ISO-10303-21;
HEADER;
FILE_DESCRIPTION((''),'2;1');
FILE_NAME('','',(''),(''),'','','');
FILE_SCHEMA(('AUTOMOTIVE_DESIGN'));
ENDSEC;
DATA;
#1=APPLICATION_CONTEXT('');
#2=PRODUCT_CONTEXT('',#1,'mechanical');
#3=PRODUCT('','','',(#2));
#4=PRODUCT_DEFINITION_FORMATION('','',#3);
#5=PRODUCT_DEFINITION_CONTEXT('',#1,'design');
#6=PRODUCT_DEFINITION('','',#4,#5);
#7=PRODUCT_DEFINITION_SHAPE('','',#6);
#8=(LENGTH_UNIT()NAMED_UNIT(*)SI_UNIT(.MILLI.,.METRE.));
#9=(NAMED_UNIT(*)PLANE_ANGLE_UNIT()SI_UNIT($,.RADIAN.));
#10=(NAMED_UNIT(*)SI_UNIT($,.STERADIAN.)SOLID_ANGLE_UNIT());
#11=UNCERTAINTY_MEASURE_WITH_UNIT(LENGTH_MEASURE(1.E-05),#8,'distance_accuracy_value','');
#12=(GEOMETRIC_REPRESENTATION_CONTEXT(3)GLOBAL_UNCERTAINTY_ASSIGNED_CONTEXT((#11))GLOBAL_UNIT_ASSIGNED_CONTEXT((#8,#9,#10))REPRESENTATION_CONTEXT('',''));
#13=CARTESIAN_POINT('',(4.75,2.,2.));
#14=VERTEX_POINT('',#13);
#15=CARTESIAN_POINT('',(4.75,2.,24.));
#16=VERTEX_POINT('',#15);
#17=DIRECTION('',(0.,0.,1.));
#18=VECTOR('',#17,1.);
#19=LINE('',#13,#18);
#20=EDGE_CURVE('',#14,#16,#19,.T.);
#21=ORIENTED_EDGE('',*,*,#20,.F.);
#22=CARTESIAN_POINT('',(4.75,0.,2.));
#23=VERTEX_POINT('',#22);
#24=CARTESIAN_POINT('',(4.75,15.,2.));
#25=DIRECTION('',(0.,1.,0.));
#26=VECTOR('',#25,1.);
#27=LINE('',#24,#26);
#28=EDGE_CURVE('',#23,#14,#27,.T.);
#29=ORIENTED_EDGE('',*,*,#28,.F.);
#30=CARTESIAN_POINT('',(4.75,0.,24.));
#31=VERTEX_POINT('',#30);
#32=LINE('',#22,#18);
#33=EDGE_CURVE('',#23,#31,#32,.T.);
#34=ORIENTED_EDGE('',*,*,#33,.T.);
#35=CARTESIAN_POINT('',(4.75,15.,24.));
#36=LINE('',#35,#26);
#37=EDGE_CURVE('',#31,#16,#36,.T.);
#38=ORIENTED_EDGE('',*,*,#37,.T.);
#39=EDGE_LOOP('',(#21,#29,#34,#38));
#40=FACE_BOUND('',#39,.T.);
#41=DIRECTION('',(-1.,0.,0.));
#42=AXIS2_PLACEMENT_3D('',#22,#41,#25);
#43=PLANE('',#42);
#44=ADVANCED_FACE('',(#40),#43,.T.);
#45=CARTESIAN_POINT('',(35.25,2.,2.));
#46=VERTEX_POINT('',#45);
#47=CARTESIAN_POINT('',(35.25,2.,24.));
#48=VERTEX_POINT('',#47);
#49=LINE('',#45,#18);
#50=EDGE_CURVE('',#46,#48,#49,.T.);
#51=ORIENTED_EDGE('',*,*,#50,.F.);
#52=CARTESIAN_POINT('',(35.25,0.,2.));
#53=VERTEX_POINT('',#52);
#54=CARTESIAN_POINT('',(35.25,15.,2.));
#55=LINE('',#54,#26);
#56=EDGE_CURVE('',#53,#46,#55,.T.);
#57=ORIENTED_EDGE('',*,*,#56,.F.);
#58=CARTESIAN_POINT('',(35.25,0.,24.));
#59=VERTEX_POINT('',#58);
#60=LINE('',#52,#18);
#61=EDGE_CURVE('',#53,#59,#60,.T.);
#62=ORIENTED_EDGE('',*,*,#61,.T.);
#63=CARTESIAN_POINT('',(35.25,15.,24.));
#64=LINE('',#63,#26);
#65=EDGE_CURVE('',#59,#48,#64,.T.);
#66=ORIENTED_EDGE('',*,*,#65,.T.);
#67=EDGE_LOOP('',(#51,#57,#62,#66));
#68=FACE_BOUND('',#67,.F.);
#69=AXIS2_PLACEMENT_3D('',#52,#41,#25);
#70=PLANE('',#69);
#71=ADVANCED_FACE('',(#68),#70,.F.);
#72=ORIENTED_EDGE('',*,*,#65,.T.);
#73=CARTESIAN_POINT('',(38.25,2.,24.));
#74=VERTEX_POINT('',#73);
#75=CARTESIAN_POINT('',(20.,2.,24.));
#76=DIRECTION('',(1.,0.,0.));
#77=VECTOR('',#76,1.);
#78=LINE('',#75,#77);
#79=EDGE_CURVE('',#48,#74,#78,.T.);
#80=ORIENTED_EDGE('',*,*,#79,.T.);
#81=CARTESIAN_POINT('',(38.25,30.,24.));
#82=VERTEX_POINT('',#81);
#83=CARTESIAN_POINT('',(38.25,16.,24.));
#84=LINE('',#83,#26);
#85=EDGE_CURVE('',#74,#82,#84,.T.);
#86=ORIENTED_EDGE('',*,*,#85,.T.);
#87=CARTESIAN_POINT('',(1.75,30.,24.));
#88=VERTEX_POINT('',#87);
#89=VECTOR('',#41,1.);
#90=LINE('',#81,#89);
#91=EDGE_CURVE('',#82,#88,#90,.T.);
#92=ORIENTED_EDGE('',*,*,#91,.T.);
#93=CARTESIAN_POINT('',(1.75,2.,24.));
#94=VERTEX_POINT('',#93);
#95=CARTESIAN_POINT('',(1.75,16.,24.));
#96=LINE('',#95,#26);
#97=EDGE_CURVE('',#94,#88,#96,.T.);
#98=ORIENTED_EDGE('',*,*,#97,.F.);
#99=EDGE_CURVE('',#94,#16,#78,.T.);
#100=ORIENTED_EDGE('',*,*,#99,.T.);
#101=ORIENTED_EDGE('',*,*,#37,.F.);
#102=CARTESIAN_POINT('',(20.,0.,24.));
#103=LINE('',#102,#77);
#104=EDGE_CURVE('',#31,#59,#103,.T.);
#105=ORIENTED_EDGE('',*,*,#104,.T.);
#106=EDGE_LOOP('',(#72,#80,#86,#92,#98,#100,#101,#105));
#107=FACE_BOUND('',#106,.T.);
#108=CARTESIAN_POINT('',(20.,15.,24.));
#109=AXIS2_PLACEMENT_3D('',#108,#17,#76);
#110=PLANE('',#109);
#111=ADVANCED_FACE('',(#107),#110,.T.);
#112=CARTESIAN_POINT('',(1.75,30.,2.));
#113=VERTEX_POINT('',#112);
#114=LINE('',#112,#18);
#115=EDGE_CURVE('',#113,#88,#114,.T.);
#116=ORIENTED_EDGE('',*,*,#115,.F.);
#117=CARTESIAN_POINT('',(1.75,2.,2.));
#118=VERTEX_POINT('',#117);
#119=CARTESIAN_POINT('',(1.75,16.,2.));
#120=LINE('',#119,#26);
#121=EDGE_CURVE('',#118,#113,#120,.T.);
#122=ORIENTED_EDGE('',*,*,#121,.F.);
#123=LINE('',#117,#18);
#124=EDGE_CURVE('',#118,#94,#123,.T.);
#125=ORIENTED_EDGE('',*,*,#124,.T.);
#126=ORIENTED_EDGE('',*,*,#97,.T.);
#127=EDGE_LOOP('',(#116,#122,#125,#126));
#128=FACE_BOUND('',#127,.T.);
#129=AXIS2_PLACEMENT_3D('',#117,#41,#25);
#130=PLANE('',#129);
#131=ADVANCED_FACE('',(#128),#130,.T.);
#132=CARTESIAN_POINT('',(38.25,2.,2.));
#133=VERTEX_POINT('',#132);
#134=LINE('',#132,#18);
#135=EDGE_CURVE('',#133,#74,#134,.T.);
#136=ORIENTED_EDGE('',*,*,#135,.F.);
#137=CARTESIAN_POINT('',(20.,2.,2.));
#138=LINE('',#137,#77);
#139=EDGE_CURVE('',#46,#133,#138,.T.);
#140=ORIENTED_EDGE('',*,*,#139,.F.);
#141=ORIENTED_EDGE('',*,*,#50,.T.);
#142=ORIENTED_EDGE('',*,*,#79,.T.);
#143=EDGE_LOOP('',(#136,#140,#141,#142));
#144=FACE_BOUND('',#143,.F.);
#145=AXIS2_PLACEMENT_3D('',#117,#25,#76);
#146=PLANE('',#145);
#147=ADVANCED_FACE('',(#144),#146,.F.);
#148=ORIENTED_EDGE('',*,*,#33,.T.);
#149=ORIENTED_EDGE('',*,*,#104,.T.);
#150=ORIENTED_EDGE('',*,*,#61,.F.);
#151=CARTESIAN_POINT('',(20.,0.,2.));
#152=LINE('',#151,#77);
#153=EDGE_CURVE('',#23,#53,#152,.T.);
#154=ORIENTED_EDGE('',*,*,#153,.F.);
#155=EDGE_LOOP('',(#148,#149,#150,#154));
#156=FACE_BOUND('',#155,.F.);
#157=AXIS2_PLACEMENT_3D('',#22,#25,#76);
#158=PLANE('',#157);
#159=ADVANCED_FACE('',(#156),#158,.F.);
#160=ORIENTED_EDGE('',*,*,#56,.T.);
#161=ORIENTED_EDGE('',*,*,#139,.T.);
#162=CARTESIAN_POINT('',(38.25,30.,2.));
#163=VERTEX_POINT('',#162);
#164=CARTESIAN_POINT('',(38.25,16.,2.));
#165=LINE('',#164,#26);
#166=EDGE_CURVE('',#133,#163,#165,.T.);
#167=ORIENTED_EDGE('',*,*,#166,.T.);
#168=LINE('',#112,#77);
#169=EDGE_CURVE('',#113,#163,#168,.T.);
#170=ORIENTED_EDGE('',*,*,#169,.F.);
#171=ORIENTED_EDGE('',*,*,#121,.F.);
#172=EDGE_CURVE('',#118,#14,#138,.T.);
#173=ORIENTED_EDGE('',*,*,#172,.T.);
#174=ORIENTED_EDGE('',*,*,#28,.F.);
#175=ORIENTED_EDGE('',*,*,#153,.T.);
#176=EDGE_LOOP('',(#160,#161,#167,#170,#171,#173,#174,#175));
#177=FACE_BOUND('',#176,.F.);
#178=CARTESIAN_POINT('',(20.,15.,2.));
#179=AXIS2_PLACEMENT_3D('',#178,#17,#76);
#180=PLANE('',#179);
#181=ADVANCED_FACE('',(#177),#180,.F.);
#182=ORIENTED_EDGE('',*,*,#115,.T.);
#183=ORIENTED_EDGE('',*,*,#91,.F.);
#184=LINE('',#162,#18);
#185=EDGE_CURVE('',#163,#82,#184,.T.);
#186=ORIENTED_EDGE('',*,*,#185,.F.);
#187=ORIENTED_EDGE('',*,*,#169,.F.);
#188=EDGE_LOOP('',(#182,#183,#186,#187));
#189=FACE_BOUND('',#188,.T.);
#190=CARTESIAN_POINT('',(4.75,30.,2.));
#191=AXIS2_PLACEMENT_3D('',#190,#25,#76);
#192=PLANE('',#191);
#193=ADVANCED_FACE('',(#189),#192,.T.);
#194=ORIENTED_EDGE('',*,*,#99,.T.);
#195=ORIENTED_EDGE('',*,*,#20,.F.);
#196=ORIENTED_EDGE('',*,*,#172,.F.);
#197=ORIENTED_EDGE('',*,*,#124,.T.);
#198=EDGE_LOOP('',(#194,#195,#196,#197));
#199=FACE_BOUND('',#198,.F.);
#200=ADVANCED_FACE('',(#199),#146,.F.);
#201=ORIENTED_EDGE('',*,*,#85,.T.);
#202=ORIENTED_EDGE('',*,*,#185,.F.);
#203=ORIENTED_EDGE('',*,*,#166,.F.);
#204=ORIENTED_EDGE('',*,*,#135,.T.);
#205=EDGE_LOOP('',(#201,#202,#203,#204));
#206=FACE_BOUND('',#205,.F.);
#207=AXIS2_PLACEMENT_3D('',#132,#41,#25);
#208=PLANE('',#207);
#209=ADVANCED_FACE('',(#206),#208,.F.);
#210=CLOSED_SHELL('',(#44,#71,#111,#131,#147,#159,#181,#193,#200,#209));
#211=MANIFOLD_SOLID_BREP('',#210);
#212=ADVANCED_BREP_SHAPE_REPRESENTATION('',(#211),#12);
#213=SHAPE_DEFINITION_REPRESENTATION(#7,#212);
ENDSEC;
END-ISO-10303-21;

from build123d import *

# Parameters (mm, degrees)
BOX001_W     = 30.5
BOX001_H     = 30
BOX001_DEPTH = 22
BOX002_W     = 36.5
BOX002_H     = 28
BOX002_DEPTH = 22


with BuildPart() as cube001:
    # Box001 → Box001 (new body)
    with BuildSketch(Plane.XY):
        with Locations((15.25, 15)):
            Rectangle(BOX001_W, BOX001_H)
    extrude(amount=BOX001_DEPTH)


with BuildPart() as switch_slot:
    # Box002 → Box002 (new body)
    with BuildSketch(Plane(origin=(-3, 2, 0), x_dir=(1, 0, 0), z_dir=(0, 0, 1))):
        with Locations((18.25, 14)):
            Rectangle(BOX002_W, BOX002_H)
    extrude(amount=BOX002_DEPTH)

    # Fusion001: union Cube001
    add(cube001.part)


with BuildPart() as switch_slot_1:
    # Fusion001 placement: moved
    add(switch_slot.part.moved(Location((4.75, 0, 2))))


solid = switch_slot_1.part
